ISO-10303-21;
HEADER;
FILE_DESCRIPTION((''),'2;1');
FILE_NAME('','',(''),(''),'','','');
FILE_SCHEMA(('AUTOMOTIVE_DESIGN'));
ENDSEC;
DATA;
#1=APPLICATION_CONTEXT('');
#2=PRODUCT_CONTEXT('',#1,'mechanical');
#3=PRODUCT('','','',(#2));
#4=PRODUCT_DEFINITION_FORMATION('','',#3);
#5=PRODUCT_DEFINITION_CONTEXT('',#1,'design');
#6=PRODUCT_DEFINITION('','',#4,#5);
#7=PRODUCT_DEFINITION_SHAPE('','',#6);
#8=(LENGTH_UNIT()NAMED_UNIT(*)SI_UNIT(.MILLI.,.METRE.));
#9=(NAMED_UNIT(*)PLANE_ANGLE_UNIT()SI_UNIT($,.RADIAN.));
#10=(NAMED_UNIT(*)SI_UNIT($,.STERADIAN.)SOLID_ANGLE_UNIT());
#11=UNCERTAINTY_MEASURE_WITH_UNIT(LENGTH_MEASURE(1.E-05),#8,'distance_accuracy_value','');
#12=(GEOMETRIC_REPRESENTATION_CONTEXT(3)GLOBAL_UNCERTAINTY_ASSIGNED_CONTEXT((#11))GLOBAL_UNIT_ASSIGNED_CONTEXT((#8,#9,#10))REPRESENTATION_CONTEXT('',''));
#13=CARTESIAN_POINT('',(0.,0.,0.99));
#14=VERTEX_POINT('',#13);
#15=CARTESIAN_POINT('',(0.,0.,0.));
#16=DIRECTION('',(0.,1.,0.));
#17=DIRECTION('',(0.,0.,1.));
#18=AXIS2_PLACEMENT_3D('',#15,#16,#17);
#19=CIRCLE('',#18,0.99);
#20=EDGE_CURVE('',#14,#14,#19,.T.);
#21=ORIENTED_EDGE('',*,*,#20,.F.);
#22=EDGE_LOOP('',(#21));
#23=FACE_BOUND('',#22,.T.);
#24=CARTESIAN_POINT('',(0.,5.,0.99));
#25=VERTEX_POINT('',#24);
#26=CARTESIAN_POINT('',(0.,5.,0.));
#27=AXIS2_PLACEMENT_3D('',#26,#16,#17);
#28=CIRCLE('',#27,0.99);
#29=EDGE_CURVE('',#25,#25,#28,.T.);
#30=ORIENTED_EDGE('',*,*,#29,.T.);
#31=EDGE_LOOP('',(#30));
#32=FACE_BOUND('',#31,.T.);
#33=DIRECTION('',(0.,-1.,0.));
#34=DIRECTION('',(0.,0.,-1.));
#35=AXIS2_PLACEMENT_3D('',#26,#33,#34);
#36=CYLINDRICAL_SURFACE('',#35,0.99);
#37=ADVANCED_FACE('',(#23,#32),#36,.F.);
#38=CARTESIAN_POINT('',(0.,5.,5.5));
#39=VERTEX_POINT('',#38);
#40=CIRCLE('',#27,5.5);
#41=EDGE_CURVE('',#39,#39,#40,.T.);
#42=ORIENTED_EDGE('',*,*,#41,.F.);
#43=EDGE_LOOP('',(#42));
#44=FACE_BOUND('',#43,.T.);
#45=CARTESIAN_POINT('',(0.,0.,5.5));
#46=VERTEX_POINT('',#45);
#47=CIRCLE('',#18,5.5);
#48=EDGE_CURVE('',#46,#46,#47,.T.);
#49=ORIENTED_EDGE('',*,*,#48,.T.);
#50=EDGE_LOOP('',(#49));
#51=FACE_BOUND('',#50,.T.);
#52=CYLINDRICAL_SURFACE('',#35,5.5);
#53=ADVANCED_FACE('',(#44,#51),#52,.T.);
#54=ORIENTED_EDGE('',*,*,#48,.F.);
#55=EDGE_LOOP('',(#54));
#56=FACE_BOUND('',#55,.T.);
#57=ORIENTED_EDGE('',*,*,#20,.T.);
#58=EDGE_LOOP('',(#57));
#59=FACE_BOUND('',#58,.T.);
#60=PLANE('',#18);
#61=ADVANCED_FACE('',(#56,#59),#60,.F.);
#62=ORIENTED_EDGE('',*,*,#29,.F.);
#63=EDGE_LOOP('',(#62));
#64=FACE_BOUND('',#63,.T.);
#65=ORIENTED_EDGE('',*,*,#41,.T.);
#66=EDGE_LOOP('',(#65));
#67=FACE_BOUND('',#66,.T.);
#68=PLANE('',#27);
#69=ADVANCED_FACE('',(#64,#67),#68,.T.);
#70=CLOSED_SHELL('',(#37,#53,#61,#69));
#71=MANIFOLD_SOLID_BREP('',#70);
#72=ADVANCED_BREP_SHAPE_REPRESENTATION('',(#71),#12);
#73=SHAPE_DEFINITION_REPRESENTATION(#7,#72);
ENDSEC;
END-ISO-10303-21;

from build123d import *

# Parameters (mm, degrees)
SKETCH1_R           = 5.5
SKETCH1_R_2         = 0.99
BOSS_EXTRUDE1_DEPTH = 5


with BuildPart() as part:
    # Sketch1 → Boss-Extrude1 (new body)
    with BuildSketch(Plane(origin=(0, 0, 0), x_dir=(1, 0, 0), z_dir=(0, 1, 0))):
        with Locations(Location((0, 0, 0), (0, 0, 270))):
            Circle(SKETCH1_R)
        with Locations(Location((0, 0, 0), (0, 0, 270))):
            Circle(SKETCH1_R_2, mode=Mode.SUBTRACT)
    extrude(amount=BOSS_EXTRUDE1_DEPTH)


solid = part.part
